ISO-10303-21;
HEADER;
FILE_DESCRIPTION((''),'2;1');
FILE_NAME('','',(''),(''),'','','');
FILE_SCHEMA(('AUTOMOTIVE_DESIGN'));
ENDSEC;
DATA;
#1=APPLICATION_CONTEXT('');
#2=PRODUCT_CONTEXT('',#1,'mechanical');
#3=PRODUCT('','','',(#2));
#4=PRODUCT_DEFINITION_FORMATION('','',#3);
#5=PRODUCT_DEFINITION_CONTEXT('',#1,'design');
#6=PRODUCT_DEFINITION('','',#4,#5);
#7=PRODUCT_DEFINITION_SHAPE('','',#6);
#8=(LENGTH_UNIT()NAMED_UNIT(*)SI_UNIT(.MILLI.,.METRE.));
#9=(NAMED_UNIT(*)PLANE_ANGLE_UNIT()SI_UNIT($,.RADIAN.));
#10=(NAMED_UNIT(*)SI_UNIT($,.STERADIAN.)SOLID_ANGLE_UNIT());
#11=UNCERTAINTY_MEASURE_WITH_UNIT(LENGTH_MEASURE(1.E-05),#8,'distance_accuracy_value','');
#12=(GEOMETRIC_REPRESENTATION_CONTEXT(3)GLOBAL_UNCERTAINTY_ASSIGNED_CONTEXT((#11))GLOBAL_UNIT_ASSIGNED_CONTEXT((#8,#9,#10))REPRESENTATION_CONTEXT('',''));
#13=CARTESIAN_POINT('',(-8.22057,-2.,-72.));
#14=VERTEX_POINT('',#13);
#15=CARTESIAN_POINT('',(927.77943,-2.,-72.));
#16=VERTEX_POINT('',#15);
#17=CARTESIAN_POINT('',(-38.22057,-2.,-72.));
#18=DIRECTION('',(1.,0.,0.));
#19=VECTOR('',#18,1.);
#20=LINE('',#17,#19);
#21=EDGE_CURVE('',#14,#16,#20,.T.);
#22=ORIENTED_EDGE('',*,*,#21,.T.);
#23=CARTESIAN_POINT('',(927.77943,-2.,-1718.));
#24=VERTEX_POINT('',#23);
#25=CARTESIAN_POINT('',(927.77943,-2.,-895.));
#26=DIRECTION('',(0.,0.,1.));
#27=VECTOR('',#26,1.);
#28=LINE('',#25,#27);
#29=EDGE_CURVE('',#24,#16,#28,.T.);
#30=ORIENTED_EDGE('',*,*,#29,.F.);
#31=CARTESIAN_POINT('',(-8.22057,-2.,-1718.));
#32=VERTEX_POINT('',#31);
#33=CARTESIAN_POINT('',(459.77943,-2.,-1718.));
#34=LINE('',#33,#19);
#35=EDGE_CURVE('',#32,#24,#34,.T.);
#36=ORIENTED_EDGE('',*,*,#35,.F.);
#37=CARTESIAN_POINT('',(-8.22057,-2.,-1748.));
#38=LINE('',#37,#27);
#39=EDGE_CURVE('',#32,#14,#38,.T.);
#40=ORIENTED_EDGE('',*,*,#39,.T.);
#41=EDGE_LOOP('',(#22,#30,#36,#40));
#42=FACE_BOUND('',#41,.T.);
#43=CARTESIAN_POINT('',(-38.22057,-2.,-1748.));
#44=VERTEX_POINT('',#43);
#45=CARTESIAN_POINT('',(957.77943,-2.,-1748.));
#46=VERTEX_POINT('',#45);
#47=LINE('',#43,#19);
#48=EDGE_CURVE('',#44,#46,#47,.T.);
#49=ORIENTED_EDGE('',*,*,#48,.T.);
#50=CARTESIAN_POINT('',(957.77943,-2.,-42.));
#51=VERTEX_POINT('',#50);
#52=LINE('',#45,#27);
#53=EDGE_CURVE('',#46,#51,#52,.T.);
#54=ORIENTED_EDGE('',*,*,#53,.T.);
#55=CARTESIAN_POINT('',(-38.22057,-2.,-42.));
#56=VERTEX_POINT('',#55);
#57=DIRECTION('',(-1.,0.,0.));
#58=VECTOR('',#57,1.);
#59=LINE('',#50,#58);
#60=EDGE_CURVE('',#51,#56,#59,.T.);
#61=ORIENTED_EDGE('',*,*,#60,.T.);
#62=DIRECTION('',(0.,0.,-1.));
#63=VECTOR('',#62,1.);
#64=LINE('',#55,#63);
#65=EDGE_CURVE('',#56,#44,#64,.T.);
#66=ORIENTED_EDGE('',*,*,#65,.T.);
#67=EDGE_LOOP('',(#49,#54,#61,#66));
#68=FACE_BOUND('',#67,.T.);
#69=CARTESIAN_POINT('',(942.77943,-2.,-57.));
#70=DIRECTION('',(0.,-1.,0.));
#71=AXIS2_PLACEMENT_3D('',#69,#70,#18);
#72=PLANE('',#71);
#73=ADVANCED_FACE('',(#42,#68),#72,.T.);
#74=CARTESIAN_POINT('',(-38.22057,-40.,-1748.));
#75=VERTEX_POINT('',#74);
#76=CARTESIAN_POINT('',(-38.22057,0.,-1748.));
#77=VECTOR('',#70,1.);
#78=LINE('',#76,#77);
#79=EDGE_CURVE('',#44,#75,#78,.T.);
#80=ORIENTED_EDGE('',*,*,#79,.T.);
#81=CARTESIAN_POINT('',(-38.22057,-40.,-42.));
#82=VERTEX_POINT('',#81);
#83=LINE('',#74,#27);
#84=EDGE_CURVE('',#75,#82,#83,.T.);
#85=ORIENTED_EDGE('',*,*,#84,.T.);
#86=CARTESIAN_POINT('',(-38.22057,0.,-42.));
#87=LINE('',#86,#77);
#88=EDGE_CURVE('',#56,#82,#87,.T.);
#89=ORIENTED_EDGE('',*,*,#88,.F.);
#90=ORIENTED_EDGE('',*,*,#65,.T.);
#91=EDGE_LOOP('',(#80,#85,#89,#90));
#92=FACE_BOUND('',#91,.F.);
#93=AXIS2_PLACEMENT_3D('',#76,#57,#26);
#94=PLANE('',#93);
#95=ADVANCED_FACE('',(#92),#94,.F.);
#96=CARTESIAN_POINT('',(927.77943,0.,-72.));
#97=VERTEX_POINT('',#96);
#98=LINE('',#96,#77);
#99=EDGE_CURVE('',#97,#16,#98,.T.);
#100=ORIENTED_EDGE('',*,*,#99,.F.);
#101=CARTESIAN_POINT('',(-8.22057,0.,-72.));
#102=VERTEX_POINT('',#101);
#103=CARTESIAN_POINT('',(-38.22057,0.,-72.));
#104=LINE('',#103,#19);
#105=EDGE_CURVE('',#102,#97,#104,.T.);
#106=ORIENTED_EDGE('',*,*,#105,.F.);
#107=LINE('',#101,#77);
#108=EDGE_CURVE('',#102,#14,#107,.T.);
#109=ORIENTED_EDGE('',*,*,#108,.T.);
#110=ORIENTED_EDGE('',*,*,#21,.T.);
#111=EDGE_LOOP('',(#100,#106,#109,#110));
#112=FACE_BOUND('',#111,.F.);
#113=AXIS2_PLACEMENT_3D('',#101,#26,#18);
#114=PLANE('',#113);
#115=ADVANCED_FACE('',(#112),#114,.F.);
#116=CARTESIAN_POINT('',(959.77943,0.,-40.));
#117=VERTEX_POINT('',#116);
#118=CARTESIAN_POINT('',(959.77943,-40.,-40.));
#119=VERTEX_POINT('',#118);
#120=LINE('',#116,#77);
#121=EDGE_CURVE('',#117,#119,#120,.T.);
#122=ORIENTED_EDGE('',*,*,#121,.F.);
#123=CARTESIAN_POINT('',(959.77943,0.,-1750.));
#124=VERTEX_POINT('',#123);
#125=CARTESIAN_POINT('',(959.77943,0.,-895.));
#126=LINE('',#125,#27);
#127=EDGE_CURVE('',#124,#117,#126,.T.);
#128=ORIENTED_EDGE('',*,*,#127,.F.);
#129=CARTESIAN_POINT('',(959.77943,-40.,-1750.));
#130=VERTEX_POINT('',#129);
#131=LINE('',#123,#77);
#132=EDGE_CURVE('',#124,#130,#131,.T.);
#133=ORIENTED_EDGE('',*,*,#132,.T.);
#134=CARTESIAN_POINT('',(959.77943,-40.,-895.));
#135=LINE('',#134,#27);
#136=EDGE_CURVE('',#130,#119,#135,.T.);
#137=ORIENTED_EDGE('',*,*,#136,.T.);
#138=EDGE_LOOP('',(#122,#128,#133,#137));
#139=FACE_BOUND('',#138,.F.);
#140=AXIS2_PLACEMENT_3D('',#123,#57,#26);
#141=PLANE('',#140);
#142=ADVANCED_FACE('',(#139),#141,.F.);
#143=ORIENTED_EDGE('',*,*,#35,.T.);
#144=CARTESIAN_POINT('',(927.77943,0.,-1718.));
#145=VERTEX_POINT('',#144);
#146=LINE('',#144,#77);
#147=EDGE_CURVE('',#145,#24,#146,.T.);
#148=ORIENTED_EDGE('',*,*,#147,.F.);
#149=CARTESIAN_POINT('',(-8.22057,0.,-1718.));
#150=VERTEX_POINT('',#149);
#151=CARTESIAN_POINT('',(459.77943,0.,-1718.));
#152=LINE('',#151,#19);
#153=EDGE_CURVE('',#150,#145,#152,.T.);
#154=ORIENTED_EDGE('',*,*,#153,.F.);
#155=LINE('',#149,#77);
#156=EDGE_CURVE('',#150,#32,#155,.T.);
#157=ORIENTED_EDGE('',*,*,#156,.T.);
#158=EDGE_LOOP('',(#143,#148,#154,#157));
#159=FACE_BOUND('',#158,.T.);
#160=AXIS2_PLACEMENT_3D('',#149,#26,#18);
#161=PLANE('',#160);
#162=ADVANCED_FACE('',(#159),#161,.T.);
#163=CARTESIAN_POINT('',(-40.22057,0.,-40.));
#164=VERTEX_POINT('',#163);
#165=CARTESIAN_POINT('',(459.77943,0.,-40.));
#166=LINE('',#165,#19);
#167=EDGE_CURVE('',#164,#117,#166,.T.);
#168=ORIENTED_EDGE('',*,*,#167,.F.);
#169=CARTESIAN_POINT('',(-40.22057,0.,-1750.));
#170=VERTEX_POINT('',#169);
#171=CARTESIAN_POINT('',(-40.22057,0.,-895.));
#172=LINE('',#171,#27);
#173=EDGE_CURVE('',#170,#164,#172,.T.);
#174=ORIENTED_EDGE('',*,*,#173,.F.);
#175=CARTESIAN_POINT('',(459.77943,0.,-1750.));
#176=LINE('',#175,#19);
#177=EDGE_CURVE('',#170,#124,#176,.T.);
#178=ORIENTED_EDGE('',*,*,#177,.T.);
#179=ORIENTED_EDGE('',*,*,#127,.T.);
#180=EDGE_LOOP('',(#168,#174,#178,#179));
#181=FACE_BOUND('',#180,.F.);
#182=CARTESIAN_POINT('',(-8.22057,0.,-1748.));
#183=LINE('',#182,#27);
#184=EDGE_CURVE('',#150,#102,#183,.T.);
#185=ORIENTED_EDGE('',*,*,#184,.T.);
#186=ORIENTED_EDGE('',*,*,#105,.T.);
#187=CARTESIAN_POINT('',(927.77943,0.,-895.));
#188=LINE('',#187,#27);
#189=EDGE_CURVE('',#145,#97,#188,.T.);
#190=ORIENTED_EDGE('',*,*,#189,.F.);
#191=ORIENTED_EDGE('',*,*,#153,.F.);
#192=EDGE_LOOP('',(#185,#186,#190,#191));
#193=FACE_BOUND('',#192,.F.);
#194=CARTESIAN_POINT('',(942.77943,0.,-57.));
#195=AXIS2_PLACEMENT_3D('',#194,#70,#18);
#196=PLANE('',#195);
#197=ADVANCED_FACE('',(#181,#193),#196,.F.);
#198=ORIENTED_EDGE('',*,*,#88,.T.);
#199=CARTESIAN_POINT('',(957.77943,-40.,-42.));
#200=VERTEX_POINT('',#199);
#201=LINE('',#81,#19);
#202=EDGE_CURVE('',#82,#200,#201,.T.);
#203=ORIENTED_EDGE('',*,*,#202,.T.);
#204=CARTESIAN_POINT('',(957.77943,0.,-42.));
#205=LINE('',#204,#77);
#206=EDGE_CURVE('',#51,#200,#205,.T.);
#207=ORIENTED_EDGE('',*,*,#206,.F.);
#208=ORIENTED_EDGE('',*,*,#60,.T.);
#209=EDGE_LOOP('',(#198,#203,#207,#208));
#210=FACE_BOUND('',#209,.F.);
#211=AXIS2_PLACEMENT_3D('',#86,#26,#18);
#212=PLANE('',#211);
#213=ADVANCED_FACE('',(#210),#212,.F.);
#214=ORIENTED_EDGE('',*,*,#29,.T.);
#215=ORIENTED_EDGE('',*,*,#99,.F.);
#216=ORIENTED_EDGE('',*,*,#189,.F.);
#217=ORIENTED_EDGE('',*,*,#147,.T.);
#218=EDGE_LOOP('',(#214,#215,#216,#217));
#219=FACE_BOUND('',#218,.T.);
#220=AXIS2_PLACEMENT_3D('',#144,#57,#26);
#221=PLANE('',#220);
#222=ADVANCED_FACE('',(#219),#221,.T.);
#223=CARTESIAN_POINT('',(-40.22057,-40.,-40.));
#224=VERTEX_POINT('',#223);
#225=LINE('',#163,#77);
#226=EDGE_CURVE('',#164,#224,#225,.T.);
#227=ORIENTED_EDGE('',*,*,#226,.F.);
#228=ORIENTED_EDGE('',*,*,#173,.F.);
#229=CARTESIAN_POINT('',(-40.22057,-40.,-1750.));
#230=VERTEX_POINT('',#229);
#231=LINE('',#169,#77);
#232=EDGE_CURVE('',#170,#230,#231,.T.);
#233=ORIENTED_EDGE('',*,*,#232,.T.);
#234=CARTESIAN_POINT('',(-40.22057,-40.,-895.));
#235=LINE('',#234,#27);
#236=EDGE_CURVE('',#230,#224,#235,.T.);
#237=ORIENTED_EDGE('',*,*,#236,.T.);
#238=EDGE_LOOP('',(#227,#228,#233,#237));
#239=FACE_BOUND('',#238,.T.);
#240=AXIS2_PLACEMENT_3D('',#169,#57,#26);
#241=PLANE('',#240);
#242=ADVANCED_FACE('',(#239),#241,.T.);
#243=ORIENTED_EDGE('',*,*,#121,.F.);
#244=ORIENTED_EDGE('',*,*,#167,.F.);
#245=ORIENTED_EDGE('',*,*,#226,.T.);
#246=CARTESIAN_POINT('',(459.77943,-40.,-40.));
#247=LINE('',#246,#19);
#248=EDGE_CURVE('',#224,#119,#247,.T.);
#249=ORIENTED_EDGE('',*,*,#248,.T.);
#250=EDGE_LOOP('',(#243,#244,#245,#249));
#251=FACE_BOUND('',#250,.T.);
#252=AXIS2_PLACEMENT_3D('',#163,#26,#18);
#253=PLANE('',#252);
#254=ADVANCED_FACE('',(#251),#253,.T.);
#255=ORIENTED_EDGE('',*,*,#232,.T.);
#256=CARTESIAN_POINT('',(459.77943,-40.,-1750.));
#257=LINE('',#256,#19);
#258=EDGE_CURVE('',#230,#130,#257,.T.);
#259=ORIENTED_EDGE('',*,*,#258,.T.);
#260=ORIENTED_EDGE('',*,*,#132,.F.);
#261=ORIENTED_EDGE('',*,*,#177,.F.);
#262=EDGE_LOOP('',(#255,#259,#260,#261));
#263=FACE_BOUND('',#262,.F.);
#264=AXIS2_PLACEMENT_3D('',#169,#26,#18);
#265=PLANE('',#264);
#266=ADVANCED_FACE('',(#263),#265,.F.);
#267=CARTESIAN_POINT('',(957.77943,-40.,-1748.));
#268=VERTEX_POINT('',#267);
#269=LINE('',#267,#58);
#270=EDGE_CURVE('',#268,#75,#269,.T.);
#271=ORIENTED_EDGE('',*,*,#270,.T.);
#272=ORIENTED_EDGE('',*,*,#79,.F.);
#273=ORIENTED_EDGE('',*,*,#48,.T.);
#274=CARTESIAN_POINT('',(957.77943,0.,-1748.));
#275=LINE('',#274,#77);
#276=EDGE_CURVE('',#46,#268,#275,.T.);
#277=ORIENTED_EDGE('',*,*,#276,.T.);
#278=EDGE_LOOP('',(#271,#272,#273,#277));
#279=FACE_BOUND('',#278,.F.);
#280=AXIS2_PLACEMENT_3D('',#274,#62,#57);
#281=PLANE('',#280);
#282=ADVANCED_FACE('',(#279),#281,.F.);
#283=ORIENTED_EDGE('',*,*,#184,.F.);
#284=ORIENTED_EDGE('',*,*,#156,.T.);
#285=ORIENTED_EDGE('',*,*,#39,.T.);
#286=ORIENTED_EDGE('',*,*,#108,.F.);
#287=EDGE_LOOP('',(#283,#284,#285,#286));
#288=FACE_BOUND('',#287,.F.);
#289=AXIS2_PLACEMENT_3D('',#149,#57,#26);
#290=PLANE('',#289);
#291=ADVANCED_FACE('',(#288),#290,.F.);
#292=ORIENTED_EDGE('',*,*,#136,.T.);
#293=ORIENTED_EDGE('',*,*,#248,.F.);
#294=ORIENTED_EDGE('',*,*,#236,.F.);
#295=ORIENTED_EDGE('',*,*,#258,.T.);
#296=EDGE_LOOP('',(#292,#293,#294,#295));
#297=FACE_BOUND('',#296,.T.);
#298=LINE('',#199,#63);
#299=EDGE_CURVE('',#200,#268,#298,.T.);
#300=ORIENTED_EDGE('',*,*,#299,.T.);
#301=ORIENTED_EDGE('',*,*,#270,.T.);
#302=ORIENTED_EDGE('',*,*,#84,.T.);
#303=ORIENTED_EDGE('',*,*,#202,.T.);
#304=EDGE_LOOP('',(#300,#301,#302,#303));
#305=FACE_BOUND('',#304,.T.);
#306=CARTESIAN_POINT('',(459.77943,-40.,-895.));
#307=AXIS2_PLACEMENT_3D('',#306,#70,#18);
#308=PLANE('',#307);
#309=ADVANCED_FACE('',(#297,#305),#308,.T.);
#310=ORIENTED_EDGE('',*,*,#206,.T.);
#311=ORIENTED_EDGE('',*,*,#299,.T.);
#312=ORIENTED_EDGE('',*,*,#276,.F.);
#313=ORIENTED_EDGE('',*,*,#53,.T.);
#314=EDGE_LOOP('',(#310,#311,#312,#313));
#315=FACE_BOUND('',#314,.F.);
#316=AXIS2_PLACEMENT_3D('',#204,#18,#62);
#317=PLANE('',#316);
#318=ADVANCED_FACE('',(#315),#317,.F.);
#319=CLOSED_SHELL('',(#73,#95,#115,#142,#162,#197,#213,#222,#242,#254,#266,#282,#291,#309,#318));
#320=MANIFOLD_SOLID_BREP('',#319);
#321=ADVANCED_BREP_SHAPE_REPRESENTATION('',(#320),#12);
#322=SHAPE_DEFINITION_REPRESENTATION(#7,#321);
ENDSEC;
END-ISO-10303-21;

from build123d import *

# Parameters (mm, degrees)
F0_W     = 1000
F0_H     = 1710
F1_DEPTH = 40
F0_W_2   = 30
F0_H_2   = 30
F0_W_3   = 936
F0_H_3   = 1646
F2_DEPTH = 2


with BuildPart() as f1:
    # F0 (on Front) → F1 (new body)
    with BuildSketch(Plane.XZ):
        with Locations((459.7794299543, -895)):
            Rectangle(F0_W, F0_H)
        Polygon((-38.2205700457, -72), (-38.2205700457, -42), (-8.2205700457, -42), (927.7794299543, -42), (957.7794299543, -42), (957.7794299543, -72), (957.7794299543, -1718), (957.7794299543, -1748), (927.7794299543, -1748), (-8.2205700457, -1748), (-38.2205700457, -1748), (-38.2205700457, -1718), align=None, mode=Mode.SUBTRACT)
    extrude(amount=F1_DEPTH)

    # F0 (on Front) → F2 (join)
    with BuildSketch(Plane.XZ):
        with Locations((942.7794299543, -57)):
            Rectangle(F0_W_2, F0_H_2)
        with Locations((459.7794299543, -57)):
            Rectangle(F0_W_3, F0_H_2)
        with Locations((942.7794299543, -895)):
            Rectangle(F0_W_2, F0_H_3)
        with Locations((-23.2205700457, -57)):
            Rectangle(F0_W_2, F0_H_2)
        with Locations((-23.2205700457, -895)):
            Rectangle(F0_W_2, F0_H_3)
        with Locations((-23.2205700457, -1733)):
            Rectangle(F0_W_2, F0_H_2)
        with Locations((459.7794299543, -1733)):
            Rectangle(F0_W_3, F0_H_2)
        with Locations((942.7794299543, -1733)):
            Rectangle(F0_W_2, F0_H_2)
    extrude(amount=F2_DEPTH)


solid = f1.part
